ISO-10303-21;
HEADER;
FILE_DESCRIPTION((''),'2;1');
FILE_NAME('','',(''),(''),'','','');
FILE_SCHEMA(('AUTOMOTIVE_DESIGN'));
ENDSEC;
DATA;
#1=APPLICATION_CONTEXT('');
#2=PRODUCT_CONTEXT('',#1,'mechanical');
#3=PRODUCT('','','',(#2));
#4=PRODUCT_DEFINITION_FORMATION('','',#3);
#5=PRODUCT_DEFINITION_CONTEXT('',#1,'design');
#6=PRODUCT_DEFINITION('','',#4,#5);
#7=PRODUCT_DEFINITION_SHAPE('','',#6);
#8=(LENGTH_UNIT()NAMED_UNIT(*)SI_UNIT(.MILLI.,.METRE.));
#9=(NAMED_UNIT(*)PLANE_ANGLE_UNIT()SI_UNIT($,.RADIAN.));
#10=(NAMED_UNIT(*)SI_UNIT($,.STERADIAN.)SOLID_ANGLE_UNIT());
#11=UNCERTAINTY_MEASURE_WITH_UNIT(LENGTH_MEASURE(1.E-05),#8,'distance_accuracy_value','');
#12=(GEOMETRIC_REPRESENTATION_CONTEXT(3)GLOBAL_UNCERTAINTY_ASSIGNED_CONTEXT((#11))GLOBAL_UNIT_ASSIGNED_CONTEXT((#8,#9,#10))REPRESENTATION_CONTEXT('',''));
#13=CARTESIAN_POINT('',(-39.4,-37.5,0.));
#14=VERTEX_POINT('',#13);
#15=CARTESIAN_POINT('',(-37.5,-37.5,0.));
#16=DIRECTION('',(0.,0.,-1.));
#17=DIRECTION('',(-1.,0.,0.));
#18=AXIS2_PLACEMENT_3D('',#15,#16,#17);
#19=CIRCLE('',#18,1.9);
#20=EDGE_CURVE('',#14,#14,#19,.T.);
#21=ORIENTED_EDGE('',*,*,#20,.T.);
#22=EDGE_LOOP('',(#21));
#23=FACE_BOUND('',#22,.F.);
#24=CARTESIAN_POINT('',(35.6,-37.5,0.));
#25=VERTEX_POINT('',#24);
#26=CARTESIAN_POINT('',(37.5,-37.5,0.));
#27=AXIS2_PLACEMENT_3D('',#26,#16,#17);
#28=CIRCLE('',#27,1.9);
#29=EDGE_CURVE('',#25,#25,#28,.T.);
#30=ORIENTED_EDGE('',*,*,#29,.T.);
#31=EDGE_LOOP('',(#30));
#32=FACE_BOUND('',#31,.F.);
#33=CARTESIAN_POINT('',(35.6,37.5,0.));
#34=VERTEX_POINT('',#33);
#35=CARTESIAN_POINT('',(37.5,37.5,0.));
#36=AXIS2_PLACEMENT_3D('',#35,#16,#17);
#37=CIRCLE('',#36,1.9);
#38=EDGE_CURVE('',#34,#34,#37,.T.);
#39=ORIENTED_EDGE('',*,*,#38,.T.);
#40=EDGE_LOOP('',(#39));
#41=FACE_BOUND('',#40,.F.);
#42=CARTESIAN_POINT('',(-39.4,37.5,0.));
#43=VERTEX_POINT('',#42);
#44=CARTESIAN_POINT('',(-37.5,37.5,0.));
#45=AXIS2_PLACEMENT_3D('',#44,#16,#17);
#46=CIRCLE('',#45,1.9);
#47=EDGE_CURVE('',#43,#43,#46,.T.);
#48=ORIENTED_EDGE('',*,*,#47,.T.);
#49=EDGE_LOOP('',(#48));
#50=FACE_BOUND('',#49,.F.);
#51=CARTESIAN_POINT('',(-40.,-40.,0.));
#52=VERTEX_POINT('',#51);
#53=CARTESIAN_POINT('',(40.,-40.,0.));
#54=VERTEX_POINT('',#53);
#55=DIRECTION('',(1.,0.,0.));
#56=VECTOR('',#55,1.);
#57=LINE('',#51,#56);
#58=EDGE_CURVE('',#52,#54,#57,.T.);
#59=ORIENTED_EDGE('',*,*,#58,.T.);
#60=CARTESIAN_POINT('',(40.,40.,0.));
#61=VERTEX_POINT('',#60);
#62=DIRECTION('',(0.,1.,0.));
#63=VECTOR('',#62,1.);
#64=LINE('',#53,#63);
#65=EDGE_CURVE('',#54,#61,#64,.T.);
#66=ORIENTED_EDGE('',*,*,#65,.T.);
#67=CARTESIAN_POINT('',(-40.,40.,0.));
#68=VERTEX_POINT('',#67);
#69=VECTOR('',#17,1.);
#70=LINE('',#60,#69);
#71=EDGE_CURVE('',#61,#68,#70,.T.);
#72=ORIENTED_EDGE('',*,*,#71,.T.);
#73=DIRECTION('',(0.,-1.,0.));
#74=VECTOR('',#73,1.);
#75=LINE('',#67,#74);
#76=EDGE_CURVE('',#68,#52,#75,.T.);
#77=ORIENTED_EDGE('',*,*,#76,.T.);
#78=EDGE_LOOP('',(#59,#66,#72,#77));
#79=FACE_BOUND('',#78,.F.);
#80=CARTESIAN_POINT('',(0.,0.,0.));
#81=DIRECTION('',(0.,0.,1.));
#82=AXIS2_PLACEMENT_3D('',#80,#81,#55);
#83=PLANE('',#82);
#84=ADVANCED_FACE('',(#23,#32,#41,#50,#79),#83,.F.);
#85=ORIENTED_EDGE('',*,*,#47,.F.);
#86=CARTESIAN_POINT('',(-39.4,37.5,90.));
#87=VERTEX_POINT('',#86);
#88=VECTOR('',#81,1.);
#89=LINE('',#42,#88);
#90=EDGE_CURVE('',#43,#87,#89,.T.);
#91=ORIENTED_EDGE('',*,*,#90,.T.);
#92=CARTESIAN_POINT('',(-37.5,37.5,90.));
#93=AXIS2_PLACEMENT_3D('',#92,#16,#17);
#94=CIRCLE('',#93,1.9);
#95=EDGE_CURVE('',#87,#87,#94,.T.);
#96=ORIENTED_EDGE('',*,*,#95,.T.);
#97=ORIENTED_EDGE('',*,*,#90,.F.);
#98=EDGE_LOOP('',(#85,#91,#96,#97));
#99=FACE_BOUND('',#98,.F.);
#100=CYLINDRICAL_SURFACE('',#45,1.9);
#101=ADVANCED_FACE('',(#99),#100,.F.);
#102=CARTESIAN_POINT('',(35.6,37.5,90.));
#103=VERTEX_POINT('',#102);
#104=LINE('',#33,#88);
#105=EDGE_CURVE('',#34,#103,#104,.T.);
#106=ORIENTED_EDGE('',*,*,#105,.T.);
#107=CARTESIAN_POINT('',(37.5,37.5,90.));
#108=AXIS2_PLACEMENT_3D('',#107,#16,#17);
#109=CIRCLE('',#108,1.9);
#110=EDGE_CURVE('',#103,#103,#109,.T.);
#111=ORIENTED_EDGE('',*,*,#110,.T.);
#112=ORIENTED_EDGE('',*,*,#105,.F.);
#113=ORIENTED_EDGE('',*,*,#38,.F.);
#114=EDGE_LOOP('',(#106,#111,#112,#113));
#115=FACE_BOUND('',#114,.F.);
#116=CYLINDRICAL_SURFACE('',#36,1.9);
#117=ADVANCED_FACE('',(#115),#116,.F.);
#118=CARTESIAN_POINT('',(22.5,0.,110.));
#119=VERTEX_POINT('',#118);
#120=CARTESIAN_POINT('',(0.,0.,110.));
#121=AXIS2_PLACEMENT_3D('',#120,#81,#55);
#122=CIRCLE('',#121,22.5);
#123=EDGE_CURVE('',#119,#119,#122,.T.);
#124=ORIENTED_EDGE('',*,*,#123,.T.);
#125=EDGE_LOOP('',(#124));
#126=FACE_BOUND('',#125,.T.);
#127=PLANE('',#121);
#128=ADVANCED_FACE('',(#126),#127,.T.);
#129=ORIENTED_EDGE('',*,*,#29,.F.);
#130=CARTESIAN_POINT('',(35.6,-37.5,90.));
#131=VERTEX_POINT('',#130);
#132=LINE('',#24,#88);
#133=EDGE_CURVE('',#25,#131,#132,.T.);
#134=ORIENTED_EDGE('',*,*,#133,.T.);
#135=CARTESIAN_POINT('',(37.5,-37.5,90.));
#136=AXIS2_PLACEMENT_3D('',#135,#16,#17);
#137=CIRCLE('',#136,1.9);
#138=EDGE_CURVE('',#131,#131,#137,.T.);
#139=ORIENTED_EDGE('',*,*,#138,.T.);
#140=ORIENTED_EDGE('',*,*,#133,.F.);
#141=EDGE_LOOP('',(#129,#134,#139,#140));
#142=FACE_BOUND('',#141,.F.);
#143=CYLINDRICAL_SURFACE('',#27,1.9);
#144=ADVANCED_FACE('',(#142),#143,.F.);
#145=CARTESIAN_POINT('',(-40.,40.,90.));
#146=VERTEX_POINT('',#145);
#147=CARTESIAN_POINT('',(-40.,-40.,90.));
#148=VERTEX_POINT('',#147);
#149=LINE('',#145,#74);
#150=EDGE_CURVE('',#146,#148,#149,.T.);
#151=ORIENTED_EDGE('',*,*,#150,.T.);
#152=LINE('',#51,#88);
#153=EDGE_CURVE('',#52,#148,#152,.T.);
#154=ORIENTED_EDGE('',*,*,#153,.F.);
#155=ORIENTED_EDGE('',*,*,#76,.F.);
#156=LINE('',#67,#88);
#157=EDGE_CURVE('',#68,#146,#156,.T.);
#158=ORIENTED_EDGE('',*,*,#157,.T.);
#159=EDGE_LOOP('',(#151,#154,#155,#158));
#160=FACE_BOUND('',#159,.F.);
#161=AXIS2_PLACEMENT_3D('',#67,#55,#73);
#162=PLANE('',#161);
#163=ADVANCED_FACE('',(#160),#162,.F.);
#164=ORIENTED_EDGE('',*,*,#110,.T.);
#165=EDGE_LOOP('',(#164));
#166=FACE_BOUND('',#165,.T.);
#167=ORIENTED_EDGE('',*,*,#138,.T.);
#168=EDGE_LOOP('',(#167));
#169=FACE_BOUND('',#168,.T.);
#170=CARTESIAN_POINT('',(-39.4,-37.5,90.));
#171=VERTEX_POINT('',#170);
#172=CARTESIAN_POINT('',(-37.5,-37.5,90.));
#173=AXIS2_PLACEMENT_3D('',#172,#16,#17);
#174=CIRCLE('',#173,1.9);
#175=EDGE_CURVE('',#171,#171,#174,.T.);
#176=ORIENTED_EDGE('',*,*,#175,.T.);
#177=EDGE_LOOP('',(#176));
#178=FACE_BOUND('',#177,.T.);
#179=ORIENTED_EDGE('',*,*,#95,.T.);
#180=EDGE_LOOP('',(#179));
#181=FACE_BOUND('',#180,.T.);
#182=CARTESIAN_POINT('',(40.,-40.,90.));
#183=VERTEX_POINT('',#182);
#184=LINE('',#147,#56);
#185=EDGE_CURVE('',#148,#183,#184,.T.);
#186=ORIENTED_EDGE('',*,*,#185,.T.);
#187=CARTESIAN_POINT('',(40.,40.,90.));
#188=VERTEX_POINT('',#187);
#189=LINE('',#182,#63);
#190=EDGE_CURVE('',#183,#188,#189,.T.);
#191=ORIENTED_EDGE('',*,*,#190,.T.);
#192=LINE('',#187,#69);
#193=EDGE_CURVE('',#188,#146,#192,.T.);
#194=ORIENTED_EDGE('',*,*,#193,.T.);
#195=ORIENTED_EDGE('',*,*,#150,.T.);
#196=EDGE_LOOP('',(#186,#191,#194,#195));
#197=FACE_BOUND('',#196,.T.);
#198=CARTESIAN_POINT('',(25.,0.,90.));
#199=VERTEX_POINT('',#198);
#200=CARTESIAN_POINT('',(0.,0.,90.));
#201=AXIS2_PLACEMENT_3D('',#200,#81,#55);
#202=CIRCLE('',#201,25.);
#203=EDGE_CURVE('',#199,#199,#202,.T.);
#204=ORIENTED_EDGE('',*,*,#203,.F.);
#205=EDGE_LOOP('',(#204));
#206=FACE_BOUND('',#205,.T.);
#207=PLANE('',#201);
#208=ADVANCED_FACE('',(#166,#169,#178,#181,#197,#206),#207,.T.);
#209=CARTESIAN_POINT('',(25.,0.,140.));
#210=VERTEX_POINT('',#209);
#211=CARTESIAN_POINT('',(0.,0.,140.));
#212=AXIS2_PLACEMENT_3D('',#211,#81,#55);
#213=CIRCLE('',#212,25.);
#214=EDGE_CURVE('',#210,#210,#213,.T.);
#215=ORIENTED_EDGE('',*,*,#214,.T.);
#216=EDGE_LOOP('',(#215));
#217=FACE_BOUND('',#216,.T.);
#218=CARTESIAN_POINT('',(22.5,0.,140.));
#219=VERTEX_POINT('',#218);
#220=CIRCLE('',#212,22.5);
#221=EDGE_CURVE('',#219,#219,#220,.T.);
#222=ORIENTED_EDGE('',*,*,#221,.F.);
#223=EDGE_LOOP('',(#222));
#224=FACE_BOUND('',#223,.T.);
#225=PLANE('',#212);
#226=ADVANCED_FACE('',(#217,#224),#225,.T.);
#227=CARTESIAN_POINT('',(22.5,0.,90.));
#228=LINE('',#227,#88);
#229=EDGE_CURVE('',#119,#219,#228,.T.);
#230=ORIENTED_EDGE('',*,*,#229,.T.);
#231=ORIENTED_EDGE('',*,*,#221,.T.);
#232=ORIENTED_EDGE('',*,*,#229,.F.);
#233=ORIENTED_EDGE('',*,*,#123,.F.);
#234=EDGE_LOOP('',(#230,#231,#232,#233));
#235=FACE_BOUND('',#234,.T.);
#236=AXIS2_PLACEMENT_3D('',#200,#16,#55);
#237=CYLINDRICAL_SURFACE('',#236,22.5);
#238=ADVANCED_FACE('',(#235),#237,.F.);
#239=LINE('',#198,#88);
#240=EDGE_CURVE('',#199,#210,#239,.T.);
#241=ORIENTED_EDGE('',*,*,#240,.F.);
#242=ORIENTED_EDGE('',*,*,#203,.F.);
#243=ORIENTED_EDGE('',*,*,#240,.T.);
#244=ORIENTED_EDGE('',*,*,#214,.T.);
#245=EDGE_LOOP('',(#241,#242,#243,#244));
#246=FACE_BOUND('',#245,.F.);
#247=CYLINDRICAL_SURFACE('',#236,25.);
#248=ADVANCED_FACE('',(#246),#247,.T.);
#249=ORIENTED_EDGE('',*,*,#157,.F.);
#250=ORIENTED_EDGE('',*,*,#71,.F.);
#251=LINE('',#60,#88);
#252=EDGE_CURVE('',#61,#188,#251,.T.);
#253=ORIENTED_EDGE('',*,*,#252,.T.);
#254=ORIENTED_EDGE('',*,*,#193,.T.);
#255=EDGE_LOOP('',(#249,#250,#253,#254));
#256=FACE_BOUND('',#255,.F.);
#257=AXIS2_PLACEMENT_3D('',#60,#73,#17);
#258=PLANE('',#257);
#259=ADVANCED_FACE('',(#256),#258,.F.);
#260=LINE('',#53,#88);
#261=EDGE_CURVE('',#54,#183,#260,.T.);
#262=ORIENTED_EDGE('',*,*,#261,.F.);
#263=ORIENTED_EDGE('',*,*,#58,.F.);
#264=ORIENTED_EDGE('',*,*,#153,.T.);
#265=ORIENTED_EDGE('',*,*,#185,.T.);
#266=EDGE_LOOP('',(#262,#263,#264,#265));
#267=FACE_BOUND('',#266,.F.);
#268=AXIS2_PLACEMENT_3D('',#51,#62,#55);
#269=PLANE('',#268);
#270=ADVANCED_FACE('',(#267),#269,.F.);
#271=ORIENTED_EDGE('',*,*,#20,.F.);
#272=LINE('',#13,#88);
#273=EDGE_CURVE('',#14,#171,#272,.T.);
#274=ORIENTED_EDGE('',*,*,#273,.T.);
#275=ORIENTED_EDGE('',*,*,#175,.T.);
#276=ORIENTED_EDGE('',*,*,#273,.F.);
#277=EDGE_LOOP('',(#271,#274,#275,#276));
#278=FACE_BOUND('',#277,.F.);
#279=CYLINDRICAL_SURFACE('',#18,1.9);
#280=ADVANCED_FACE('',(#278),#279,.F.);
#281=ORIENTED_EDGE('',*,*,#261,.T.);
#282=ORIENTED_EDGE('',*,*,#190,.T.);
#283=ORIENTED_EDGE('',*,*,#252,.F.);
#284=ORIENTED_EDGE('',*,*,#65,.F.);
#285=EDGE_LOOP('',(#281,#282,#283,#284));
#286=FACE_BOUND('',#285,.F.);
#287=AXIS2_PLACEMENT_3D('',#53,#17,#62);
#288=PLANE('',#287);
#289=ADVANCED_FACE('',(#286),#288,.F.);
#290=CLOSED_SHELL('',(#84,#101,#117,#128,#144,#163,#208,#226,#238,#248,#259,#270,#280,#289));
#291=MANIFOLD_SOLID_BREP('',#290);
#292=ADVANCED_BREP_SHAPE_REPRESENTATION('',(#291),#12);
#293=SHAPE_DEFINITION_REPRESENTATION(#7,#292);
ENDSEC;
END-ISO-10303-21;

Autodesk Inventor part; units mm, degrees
ref_plane "YZ Plane" through (0, 0, 0) normal (1, 0, 0) x (0, 1, 0)
ref_plane "XZ Plane" through (0, 0, 0) normal (0, 1, 0) x (-1, 0, 0)
ref_plane "XY Plane" through (0, 0, 0) normal (0, 0, 1) x (1, 0, 0)
sketch "Boceto1" plane through (0, 0, 0) normal (0, 0, 1) x (1, 0, 0)
  line L0 (-40, -40) -> (40, -40)
  line L1 (40, -40) -> (40, 40)
  line L2 (40, 40) -> (-40, 40)
  line L3 (-40, 40) -> (-40, -40)
  line L4 (-40, -40) -> (40, 40) construction
  line L5 (40, -40) -> (-40, 40) construction
  point P0 (0, 0)
  dimension "d0" = 80
  dimension "d1" = 80
extrude "Extrusión1" add sketch "Boceto1" along normal blind 90
sketch "Boceto2" plane through (0, 0, 90) normal (0, 0, 1) x (1, 0, 0)
  circle A0 centre (0, 0) radius 25
  circle A1 centre (0, 0) radius 22.5
  dimension "d4" = 50
  dimension "d5" = 45
extrude "Extrusión2" add sketch "Boceto2" along normal blind 50
sketch "Boceto3" plane through (0, 0, 0) normal (0, 0, -1) x (-1, 0, 0)
  line L0 (-35, -35) -> (35, -35)
  line L1 (35, -35) -> (35, 35)
  line L2 (35, 35) -> (-35, 35)
  line L3 (-35, 35) -> (-35, -35)
  line L4 (-35, -35) -> (35, 35) construction
  line L5 (35, -35) -> (-35, 35) construction
  line L6 (-40, 40) -> (40, 40) projected
  line L7 (-40, -40) -> (-40, 40) projected
  circle A0 centre (-37.5, 37.5) radius 1.9
  circle A1 centre (37.5, 37.5) radius 1.9
  circle A2 centre (37.5, -37.5) radius 1.9
  circle A3 centre (-37.5, -37.5) radius 1.9
  point P0 (0, 0)
  dimension "d9" = 70
sketch "Boceto4" plane through (0, 0, 0) normal (0, 0, -1) x (-1, 0, 0)
  point P0 (0, 0)
extrude "Extrusión3" cut sketch "Boceto3" against normal blind 90 contours A0 | A1 | A2 | A3
sketch "Boceto5" plane through (0, 0, 90) normal (0, 0, 1) x (1, 0, 0)
  circle A0 centre (0, 0) radius 22.5
  dimension "d14" = 45
extrude "Extrusión4" add sketch "Boceto5" along normal blind 20
thread "Rosca1" size "M4x0.7" class "6H" standard "ANSI Metric M Profile" full length
thread "Rosca2" size "M4x0.7" class "6H" standard "ANSI Metric M Profile" full length
thread "Rosca3" size "M4x0.7" class "6H" standard "ANSI Metric M Profile" full length
thread "Rosca4" size "M4x0.7" class "6H" standard "ANSI Metric M Profile" full length
thread "Rosca5" size "M45x4.5" class "6H" standard "ANSI Metric M Profile" full length
properties part number "PRACTICA 1"
